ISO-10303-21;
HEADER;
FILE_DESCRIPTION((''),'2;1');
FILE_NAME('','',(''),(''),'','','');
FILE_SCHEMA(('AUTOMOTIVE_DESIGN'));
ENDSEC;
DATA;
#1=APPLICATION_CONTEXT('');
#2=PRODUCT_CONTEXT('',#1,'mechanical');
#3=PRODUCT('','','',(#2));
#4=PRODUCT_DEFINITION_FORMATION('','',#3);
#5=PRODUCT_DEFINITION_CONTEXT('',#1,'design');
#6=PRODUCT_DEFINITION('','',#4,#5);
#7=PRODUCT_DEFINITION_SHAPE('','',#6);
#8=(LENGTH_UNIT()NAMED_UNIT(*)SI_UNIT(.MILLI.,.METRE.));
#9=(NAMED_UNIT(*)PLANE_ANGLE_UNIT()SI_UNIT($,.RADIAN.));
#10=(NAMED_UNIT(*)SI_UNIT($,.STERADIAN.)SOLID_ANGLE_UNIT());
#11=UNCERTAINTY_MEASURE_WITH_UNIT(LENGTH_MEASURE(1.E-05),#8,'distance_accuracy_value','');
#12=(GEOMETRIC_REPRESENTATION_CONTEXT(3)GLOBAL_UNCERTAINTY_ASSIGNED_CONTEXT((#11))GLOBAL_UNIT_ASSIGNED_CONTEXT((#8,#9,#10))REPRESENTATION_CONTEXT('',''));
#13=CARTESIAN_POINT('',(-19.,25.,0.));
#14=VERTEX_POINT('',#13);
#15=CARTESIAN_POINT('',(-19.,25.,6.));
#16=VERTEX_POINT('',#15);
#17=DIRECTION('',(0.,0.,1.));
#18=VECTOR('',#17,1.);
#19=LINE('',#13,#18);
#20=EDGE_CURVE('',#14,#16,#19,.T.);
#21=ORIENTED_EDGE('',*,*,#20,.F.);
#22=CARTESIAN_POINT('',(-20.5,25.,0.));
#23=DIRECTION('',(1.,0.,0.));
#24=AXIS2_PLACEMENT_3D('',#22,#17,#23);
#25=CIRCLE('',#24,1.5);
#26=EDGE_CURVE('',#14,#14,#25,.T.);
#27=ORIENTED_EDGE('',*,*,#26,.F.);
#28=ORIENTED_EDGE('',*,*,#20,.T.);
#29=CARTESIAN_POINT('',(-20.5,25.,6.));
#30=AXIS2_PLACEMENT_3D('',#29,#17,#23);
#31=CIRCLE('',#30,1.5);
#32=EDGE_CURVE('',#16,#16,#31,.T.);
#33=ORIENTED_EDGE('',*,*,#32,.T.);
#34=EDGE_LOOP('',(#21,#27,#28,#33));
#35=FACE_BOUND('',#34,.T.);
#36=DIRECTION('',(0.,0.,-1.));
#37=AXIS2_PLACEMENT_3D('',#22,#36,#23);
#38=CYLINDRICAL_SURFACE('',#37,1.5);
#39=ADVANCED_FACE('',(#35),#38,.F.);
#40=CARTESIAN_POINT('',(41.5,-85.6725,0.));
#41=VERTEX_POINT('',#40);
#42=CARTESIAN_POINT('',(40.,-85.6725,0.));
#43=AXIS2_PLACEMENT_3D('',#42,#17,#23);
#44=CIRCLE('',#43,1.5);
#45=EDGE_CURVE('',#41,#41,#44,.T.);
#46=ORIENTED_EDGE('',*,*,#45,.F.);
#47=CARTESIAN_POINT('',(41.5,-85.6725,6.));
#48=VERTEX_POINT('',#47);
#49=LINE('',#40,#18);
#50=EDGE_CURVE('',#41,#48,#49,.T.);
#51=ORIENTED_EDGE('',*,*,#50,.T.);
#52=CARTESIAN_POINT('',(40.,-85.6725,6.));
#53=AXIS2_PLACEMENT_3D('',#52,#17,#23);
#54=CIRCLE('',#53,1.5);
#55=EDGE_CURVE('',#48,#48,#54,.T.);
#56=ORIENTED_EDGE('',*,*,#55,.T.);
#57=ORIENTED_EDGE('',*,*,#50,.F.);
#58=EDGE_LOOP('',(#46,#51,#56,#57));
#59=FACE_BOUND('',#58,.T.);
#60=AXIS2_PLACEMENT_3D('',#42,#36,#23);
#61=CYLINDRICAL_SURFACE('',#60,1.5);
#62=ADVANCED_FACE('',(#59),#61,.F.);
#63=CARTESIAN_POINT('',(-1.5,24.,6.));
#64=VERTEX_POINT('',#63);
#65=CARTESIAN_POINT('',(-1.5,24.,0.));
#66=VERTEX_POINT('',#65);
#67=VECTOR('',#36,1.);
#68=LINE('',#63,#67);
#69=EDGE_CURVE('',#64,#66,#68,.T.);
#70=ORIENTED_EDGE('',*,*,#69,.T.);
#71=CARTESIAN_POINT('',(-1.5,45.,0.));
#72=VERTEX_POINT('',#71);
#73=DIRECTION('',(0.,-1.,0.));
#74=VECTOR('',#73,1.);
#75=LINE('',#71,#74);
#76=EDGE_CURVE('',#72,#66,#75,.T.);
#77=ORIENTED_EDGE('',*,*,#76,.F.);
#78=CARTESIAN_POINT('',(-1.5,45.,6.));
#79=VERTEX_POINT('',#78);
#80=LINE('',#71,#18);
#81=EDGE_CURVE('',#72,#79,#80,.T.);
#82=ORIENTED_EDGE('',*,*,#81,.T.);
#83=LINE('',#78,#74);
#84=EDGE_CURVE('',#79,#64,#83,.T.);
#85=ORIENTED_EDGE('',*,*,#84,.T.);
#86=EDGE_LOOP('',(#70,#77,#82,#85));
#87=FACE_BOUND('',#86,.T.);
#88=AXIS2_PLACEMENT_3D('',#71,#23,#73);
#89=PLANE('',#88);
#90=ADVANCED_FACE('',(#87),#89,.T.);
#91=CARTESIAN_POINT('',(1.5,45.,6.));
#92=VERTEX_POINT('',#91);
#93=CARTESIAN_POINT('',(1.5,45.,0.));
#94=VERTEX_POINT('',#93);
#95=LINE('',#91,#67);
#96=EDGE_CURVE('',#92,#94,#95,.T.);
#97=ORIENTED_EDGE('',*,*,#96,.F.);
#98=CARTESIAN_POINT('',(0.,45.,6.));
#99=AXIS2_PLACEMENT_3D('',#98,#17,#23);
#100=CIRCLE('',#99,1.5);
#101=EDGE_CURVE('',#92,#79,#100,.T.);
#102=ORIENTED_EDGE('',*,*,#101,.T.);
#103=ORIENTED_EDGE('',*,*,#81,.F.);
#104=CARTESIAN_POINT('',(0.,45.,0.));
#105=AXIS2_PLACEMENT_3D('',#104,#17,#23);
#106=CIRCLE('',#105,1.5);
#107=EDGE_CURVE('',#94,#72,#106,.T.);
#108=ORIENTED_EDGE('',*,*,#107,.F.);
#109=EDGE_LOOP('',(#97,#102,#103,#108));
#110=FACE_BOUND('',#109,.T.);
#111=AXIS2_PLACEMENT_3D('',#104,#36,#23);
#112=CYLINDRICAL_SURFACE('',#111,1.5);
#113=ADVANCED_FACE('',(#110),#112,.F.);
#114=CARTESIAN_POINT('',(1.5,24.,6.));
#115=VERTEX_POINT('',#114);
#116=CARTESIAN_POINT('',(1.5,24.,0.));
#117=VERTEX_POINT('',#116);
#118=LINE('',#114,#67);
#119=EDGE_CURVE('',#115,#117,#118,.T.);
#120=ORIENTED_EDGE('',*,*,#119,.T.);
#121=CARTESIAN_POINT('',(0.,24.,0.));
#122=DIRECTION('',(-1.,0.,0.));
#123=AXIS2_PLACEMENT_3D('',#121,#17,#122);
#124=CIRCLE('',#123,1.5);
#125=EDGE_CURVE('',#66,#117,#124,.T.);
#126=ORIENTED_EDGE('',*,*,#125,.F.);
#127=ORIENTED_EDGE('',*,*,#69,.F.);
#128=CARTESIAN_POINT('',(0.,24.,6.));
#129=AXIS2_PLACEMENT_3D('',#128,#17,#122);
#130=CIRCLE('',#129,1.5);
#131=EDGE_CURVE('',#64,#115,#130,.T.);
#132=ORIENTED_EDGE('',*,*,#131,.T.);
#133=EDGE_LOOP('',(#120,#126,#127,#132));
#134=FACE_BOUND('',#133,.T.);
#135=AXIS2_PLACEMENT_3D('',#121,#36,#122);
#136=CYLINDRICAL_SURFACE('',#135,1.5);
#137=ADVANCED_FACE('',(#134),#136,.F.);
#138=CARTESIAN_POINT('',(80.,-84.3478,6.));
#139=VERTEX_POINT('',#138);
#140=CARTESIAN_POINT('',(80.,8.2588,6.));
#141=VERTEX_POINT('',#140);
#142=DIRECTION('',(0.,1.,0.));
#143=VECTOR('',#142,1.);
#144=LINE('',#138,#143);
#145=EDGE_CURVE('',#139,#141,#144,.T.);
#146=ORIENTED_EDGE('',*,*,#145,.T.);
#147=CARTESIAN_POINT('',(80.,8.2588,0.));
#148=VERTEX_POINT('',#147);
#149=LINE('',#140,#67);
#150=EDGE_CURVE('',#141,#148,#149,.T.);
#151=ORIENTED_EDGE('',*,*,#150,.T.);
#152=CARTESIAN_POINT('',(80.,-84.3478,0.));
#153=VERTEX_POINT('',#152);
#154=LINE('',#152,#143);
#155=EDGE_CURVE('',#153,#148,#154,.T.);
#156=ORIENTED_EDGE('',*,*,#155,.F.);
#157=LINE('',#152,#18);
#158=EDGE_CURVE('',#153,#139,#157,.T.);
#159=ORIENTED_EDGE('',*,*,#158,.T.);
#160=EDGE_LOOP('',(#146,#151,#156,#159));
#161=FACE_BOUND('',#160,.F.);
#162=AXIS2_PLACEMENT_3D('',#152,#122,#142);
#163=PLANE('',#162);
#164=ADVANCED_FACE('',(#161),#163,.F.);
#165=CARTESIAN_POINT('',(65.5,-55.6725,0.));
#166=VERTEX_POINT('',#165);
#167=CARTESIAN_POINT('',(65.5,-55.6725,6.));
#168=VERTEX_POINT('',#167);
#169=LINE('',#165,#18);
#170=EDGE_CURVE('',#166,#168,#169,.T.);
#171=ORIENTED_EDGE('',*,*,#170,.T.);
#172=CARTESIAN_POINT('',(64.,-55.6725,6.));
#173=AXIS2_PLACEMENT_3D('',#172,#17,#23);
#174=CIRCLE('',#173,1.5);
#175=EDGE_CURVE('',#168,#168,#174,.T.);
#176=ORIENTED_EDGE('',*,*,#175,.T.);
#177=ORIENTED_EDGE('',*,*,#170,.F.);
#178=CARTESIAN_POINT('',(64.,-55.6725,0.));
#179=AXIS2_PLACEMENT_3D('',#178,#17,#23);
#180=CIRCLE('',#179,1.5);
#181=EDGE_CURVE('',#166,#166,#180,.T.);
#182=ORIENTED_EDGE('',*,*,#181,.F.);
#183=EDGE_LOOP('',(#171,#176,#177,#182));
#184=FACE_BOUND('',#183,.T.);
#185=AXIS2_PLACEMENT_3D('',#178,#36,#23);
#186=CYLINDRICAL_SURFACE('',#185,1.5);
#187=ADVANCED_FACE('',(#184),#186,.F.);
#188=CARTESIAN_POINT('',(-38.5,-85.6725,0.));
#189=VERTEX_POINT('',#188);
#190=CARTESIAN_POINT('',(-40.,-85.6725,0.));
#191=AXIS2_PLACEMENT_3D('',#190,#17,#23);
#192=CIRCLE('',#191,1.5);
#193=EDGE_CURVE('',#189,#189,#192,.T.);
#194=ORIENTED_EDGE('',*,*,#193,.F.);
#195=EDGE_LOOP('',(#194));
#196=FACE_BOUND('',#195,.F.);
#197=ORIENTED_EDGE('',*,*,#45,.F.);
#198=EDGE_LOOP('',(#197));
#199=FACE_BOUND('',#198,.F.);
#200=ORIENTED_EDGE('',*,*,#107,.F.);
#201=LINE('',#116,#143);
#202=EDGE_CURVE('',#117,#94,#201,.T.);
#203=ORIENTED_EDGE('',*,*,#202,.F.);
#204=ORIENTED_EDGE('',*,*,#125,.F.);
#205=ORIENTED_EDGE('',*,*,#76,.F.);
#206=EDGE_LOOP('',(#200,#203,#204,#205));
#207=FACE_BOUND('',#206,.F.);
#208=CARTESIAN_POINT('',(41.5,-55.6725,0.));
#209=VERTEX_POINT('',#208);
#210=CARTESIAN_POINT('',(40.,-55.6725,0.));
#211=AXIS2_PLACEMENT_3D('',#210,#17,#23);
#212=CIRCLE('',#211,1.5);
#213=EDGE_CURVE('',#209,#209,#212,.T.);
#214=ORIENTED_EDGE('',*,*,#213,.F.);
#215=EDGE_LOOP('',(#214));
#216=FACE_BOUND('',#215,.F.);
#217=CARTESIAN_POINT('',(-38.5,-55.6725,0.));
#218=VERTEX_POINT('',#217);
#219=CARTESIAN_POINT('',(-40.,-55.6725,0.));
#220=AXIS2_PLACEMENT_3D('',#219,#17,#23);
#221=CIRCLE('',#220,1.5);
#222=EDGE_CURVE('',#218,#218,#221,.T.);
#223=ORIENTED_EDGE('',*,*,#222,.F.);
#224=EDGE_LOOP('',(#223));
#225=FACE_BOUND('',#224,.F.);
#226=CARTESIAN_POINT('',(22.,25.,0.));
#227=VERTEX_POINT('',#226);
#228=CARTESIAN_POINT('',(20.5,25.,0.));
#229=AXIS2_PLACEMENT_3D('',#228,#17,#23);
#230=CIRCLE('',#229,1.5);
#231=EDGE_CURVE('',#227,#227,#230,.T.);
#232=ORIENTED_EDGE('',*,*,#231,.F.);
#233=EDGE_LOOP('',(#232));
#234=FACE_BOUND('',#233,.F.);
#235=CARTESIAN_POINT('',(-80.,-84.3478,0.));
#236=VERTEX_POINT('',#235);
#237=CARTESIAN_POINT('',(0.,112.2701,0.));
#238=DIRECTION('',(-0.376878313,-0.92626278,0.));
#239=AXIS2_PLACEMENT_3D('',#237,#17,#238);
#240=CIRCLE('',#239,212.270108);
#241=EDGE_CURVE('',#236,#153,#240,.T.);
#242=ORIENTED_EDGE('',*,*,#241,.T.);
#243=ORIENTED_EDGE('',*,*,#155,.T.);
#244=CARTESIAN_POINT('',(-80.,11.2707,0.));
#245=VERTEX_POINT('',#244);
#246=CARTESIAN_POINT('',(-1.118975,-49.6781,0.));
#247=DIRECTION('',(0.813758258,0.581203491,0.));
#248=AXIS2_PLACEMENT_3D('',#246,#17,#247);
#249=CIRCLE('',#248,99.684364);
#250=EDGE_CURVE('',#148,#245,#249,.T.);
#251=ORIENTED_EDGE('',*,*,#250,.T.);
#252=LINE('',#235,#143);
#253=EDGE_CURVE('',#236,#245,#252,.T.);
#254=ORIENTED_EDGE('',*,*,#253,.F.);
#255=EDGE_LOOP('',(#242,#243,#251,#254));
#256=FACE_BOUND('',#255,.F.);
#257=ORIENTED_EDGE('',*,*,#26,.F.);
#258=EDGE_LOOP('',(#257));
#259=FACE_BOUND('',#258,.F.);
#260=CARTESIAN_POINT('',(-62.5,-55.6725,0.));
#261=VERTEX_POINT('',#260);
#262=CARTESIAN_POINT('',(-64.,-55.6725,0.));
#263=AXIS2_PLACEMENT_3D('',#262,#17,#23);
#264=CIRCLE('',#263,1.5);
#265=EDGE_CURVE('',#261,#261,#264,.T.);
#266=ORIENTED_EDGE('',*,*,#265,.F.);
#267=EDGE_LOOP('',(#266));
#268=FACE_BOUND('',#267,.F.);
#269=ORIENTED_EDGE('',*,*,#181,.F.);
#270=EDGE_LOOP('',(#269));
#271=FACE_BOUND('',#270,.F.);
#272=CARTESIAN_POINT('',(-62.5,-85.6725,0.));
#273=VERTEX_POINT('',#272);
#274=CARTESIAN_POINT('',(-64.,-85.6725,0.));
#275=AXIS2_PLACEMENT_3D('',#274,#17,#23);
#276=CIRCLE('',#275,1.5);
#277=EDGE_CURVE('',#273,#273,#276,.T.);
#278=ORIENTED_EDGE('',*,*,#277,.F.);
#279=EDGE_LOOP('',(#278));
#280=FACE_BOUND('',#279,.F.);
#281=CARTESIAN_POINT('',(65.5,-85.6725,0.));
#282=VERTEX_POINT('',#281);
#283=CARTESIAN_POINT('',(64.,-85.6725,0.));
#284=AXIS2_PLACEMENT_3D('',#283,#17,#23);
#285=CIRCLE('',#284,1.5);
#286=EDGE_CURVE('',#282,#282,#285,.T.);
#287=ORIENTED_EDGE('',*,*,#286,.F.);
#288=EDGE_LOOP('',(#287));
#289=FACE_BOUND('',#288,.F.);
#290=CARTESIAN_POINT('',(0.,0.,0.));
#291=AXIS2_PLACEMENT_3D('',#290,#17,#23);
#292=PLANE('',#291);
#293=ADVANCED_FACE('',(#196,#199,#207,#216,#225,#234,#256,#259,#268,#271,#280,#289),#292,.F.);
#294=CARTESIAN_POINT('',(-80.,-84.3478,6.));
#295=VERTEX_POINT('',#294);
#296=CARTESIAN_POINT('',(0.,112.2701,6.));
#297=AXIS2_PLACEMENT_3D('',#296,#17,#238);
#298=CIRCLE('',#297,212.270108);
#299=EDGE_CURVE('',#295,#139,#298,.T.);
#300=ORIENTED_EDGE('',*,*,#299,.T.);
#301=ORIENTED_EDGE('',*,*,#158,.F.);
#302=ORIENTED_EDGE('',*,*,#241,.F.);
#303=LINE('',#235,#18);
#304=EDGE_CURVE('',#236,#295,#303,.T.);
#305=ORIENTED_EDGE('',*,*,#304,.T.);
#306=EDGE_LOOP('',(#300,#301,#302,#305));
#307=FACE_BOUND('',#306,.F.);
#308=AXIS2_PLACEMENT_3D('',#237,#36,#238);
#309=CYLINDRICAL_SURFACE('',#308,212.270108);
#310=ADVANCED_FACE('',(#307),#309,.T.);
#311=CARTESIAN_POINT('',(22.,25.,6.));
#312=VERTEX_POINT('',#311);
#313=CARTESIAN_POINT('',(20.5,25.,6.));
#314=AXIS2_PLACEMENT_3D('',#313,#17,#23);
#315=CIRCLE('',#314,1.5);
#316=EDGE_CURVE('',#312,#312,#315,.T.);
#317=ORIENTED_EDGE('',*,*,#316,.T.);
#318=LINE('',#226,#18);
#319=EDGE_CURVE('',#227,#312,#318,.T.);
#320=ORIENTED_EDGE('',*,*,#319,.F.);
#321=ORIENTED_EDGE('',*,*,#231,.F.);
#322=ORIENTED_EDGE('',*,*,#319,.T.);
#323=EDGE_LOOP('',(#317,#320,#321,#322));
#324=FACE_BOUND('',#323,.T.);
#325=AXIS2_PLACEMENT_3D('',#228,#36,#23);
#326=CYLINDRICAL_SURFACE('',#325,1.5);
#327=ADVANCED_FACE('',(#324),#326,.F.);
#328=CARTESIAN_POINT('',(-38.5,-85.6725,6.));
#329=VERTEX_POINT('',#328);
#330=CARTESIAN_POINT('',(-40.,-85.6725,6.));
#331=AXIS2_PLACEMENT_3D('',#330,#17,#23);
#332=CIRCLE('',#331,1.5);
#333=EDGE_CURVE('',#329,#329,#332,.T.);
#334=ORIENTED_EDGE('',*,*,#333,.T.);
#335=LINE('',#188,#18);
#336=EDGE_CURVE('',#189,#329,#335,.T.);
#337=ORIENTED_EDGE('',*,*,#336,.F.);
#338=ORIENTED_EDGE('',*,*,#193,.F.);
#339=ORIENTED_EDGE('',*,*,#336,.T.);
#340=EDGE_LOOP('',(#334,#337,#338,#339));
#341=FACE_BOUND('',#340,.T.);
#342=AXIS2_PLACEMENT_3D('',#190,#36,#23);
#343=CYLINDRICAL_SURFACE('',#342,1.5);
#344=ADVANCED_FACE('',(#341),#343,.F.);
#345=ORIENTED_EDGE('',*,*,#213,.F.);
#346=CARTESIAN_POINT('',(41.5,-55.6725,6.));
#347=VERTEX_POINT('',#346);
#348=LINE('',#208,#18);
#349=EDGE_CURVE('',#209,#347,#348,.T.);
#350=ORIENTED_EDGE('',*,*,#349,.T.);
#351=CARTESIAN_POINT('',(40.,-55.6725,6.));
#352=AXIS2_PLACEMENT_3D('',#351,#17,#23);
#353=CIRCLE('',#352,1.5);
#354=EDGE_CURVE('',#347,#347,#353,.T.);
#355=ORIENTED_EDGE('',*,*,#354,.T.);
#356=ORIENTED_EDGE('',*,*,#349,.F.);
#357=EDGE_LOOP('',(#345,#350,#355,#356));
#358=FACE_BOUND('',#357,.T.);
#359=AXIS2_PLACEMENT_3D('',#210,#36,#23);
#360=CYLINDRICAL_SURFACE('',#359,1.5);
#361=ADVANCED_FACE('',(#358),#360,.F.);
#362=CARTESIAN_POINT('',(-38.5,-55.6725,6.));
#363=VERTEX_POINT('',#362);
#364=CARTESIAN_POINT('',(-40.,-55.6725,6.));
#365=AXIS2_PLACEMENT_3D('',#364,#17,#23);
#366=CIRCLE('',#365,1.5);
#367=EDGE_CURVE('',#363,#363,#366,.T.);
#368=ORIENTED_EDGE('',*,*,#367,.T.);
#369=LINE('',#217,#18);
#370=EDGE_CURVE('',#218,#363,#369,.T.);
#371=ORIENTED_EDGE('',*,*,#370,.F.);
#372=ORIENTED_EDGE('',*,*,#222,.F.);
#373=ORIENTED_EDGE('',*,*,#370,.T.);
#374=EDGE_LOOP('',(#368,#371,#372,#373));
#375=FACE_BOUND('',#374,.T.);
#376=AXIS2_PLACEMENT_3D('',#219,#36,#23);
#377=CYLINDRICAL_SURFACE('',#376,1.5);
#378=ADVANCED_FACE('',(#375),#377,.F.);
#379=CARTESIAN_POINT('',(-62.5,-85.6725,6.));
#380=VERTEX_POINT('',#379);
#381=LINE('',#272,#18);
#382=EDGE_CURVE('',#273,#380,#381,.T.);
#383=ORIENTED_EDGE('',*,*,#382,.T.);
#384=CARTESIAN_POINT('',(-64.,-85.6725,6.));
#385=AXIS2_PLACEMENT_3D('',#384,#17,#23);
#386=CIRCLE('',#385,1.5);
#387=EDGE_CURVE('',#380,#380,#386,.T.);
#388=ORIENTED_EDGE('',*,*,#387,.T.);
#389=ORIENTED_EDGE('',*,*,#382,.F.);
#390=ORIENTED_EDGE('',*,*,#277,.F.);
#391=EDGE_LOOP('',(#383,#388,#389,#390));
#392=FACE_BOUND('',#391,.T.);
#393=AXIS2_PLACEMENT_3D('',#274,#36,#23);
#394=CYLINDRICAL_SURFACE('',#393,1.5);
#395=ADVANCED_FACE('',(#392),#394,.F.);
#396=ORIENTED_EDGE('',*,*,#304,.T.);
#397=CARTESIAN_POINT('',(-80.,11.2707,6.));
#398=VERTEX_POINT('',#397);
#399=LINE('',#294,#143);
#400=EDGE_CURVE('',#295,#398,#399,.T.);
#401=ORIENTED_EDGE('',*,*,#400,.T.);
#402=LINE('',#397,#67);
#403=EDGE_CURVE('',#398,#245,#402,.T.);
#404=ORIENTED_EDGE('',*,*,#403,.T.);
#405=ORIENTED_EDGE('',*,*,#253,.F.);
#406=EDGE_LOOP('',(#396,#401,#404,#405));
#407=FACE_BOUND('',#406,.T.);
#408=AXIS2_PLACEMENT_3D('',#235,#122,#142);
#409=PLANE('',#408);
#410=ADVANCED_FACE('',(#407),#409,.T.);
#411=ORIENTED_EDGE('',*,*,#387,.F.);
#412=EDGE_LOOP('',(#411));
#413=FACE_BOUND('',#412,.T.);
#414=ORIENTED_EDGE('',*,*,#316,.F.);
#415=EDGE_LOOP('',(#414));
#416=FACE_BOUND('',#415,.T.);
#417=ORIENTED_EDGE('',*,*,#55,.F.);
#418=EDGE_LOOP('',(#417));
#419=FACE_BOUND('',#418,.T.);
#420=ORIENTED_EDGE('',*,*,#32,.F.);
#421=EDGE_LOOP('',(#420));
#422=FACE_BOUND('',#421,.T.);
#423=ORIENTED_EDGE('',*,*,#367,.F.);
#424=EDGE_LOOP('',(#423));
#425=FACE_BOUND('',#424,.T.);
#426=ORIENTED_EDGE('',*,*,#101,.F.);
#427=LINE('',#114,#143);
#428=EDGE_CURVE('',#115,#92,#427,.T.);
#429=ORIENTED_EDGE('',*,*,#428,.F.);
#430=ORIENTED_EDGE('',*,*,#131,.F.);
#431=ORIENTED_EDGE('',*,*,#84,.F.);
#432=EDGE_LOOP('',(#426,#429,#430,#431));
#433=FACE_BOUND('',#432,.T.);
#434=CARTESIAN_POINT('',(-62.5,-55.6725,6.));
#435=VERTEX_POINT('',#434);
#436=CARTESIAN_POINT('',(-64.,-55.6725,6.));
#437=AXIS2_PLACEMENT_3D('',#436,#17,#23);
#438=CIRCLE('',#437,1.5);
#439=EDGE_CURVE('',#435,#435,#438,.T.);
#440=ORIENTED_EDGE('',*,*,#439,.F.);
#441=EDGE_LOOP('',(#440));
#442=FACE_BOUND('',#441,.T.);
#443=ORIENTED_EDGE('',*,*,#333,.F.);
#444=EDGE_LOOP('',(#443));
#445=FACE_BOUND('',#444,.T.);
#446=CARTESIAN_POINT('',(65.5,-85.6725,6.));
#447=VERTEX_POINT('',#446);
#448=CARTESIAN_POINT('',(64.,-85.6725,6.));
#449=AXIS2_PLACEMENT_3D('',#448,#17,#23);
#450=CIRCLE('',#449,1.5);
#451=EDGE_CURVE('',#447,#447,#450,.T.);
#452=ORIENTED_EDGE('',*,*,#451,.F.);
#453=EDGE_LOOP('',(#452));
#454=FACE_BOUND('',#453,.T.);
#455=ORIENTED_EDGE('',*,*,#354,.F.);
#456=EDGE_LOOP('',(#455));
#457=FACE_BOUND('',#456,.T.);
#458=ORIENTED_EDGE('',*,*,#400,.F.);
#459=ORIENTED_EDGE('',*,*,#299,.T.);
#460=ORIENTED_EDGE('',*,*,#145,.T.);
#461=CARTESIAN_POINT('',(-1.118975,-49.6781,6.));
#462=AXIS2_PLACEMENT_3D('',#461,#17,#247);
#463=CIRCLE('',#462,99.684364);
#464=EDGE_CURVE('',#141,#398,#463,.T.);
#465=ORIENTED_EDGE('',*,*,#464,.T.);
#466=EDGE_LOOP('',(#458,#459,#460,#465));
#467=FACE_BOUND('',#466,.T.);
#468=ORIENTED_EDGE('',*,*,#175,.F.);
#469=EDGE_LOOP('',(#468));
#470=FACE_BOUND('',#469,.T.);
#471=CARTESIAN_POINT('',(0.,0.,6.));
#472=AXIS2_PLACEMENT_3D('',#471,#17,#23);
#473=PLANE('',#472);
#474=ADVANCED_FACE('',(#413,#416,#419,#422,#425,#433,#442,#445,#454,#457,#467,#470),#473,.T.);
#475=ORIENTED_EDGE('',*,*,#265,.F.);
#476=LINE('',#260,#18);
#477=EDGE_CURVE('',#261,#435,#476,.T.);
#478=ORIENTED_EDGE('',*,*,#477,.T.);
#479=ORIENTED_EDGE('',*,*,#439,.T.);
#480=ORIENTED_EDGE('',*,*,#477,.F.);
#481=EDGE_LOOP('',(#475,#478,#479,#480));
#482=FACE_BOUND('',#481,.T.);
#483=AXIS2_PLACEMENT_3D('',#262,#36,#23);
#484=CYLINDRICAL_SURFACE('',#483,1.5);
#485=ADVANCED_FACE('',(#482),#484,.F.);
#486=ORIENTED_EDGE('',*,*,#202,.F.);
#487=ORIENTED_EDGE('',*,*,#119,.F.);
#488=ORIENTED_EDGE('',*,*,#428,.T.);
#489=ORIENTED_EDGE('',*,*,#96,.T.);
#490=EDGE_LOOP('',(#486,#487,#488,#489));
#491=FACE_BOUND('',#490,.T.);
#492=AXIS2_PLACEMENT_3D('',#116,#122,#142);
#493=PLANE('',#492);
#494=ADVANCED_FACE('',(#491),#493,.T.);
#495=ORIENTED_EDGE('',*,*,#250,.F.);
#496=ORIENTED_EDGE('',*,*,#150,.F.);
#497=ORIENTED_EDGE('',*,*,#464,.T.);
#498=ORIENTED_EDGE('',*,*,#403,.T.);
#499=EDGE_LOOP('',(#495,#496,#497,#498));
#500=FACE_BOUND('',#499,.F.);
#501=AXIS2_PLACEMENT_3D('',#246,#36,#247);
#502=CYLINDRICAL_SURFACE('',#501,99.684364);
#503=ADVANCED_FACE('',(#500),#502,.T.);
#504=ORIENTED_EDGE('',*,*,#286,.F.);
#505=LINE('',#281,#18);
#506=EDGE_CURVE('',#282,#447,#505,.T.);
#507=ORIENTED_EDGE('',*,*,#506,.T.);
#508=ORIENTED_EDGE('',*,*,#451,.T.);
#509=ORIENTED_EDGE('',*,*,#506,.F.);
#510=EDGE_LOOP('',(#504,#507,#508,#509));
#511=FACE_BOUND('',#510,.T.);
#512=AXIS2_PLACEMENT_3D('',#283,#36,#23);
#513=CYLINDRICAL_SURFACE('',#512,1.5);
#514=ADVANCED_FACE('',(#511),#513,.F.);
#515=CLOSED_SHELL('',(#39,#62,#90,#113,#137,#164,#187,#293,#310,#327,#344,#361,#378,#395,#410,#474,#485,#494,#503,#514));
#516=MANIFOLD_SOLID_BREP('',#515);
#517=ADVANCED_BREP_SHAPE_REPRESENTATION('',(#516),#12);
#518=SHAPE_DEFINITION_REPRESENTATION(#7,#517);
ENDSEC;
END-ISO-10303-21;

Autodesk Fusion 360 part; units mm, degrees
sketch "草图1" plane through (0, 0, 0) normal (0, 0, 1) x (1, 0, 0)
  line L0 (-80, -84.3478) -> (-80, 11.2707)
  line L1 (80, -84.3478) -> (80, 8.2588)
  circle A0 centre (-64, -85.6725) radius 1.5
  circle A1 centre (-40, -85.6725) radius 1.5
  circle A2 centre (-64, -55.6725) radius 1.5
  circle A3 centre (-40, -55.6725) radius 1.5
  circle A4 centre (40, -55.6725) radius 1.5
  circle A5 centre (64, -55.6725) radius 1.5
  circle A6 centre (40, -85.6725) radius 1.5
  circle A7 centre (64, -85.6725) radius 1.5
  circle A8 centre (-20.5, 25) radius 1.5
  circle A9 centre (20.5, 25) radius 1.5
  line L2 (-1.5, 45) -> (-1.5, 24)
  arc A10 (-1.5, 24) -> (1.5, 24) centre (0, 24) ccw
  line L3 (1.5, 24) -> (1.5, 45)
  arc A11 (1.5, 45) -> (-1.5, 45) centre (0, 45) ccw
  line L4 (0, 46.5) -> (0, 22.5) construction
  arc A12 (80, 8.2588) -> (-80, 11.2707) centre (-1.119, -49.6781) ccw
  arc A13 (-80, -84.3478) -> (80, -84.3478) centre (0, 112.2701) ccw
  point P0 (0, 50)
  dimension "d4" = 3
  dimension "d7" = 24
  dimension "d8" = 30
  dimension "d9" = 40
  dimension "d10" = 3
  dimension "d11" = 30
  dimension "d14" = 24
  dimension "d15" = -30
  dimension "d16" = 40
  dimension "d17" = 3
  dimension "d22" = 20.5
  dimension "d24" = 20.5
  dimension "d25" = 41
  dimension "d26" = 3
  dimension "d29" = 80
  dimension "d30" = 80
  dimension "d33" = 5
extrude "拉伸1" add sketch "草图1" along normal blind 2
extrude "拉伸2" add sketch "草图1" along normal blind 6
equation "d22 = 19 mm + 1.5 mm"
equation "d25 = 38 mm + 3 mm"
